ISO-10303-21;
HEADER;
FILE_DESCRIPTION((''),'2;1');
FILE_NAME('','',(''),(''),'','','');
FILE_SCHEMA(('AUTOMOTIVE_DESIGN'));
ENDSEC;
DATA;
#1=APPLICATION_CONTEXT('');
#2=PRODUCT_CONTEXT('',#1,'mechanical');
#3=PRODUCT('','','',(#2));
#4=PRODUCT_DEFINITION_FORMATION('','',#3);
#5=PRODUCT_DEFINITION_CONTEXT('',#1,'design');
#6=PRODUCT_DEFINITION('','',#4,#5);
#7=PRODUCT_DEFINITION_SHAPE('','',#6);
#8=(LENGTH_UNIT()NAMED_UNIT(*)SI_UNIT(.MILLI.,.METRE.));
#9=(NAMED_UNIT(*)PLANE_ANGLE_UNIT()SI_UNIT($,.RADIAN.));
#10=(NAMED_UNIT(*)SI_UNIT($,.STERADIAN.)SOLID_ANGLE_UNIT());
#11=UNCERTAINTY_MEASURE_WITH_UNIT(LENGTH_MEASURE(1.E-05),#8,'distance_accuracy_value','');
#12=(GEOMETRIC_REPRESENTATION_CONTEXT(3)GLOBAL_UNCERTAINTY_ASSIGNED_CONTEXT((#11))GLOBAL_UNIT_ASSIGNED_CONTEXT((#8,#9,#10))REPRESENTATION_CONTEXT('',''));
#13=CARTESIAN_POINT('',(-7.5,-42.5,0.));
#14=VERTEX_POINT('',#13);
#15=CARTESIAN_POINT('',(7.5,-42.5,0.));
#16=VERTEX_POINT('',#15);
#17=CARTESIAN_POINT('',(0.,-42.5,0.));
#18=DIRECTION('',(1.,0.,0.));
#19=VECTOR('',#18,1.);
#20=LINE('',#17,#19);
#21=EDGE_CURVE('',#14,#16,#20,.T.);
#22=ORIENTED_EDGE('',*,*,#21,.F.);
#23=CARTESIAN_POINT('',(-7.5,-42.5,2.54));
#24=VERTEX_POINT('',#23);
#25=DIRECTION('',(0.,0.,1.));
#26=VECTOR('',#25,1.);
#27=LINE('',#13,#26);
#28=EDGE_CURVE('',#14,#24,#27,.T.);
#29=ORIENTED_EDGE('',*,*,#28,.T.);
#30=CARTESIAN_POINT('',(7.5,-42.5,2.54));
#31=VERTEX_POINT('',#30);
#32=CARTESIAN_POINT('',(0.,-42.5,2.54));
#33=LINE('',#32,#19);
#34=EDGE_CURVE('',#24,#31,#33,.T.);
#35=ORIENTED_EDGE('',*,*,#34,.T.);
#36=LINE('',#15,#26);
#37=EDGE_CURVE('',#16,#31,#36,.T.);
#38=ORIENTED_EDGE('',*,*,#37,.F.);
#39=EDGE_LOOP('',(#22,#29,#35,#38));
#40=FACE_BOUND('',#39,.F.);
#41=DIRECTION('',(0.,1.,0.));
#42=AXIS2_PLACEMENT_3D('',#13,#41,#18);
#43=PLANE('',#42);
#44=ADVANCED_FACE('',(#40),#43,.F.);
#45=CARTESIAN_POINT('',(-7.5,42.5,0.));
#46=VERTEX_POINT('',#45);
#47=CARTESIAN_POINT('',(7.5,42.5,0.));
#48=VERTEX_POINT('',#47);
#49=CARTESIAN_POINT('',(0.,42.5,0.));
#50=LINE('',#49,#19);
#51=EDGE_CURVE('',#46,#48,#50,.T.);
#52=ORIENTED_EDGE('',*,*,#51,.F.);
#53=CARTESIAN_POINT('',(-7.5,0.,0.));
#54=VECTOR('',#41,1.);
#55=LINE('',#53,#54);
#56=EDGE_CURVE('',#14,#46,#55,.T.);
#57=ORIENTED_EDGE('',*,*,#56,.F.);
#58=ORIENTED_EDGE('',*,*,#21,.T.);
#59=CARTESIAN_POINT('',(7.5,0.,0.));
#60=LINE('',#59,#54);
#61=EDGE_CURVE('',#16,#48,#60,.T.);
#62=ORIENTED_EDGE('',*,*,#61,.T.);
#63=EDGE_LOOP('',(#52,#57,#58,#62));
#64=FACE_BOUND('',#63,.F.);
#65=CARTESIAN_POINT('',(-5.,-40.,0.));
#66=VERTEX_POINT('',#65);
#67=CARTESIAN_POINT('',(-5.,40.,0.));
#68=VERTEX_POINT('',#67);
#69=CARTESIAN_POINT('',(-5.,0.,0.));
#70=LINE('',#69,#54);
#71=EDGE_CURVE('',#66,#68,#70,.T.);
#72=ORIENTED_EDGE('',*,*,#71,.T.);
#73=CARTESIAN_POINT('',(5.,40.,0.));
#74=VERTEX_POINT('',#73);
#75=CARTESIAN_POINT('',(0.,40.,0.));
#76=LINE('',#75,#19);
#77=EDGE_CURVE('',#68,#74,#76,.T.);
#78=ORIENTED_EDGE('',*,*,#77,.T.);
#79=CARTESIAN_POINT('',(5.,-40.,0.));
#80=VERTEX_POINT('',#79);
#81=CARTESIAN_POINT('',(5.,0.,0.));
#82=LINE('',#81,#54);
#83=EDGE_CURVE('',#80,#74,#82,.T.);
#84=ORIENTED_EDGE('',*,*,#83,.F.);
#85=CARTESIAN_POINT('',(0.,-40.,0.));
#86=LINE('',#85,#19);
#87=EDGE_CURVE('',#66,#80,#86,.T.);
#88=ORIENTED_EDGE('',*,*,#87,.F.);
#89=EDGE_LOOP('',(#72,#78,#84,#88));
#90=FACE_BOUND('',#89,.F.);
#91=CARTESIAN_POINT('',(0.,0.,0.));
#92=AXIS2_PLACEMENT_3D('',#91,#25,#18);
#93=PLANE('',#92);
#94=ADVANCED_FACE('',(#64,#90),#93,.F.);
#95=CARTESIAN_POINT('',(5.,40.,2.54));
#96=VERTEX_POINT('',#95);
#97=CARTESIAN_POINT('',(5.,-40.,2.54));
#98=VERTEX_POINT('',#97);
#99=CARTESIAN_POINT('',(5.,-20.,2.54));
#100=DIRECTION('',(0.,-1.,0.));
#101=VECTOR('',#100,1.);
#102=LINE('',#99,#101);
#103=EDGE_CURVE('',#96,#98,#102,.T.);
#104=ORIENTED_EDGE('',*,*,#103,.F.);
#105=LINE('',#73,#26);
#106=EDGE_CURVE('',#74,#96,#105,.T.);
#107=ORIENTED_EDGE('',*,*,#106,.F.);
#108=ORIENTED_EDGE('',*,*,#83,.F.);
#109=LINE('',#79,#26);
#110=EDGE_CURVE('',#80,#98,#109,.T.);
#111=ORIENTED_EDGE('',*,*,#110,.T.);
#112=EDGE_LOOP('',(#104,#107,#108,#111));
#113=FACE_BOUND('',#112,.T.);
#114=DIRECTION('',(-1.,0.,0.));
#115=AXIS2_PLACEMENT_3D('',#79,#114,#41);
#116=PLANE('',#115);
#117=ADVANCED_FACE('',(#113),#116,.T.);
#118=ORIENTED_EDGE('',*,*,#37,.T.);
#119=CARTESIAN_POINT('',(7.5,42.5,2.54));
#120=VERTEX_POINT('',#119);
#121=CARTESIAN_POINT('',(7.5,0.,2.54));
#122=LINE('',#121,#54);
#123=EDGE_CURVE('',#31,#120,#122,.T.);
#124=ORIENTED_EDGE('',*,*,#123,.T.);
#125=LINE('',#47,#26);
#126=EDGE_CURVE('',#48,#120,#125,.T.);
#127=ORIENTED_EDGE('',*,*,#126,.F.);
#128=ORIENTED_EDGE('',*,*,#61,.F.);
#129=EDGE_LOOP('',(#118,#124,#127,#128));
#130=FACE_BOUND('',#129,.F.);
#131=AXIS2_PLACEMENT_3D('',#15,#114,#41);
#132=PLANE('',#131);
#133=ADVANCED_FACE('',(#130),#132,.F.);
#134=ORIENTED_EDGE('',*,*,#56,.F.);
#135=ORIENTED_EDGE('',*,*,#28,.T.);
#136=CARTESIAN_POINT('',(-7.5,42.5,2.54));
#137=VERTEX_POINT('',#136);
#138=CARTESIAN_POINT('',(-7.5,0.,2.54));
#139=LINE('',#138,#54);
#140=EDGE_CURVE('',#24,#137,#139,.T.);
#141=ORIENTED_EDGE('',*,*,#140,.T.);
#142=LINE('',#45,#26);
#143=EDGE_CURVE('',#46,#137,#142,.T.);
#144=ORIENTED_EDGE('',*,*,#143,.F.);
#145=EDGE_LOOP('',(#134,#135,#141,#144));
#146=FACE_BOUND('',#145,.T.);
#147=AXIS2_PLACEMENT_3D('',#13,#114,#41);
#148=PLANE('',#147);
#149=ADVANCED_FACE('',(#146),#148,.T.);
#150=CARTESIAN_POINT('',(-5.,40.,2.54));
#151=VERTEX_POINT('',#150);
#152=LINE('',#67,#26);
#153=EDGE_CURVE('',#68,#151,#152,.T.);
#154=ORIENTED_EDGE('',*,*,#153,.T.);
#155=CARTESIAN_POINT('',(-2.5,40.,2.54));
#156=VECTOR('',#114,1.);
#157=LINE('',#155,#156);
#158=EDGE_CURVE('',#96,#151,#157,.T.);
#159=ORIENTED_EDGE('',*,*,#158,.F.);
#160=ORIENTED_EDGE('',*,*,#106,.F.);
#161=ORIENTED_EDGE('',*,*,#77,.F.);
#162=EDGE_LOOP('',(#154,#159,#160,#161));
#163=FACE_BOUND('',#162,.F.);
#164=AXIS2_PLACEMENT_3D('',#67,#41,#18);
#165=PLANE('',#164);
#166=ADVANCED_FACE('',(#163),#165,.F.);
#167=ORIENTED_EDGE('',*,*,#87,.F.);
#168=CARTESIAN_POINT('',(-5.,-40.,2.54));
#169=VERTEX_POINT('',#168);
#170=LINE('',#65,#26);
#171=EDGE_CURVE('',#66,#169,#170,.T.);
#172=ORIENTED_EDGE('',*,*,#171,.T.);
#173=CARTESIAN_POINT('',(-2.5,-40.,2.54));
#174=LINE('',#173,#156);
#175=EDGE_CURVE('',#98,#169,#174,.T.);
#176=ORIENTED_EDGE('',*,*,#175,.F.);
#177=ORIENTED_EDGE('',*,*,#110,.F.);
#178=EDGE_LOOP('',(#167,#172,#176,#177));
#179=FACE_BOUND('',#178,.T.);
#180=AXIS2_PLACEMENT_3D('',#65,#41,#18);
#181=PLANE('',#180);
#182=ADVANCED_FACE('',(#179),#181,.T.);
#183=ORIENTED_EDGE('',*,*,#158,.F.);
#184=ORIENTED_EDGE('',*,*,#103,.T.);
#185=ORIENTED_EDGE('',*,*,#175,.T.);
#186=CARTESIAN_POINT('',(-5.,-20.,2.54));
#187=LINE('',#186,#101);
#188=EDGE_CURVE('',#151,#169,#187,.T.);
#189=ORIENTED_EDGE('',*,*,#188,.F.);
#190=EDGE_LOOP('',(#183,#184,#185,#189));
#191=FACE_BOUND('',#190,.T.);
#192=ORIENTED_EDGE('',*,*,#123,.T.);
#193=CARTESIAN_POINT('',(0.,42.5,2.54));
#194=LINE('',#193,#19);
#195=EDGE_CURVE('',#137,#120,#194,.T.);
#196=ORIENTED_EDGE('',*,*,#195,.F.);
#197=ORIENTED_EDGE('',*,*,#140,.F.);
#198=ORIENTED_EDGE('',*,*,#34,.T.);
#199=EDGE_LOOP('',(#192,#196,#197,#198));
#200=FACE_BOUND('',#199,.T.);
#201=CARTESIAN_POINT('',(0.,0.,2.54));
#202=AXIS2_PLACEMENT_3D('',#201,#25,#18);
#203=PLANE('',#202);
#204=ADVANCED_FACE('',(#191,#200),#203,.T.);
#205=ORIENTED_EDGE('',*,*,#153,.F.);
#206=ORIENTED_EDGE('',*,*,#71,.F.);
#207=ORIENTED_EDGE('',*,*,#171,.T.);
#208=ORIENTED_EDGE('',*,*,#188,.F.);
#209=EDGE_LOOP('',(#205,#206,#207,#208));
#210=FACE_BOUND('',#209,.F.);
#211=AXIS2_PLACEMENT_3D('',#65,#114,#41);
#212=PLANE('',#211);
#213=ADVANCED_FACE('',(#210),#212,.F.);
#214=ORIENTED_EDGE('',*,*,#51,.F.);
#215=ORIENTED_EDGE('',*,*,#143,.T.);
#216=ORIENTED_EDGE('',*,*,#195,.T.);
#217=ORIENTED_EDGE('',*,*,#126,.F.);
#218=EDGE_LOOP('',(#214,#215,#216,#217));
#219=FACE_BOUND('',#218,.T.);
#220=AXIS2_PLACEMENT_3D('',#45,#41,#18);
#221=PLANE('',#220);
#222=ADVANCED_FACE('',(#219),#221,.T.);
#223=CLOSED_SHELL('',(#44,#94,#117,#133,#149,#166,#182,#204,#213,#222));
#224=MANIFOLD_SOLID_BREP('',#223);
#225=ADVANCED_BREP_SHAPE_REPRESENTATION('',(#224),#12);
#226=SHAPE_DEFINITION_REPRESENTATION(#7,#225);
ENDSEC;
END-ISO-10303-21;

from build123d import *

# Parameters (mm, degrees)
F0_W     = 15
F0_H     = 85
F1_DEPTH = 2.54
F2_W     = 10
F2_H     = 80
F3_DEPTH = 2.541


with BuildPart() as f1:
    # F0 (on Top) → F1 (new body)
    with BuildSketch(Plane.XY):
        Rectangle(F0_W, F0_H)
    extrude(amount=F1_DEPTH)

    # F2 (on Top) → F3 (cut, through all)
    with BuildSketch(Plane.XY):
        Rectangle(F2_W, F2_H)
    extrude(amount=F3_DEPTH, mode=Mode.SUBTRACT)


solid = f1.part
